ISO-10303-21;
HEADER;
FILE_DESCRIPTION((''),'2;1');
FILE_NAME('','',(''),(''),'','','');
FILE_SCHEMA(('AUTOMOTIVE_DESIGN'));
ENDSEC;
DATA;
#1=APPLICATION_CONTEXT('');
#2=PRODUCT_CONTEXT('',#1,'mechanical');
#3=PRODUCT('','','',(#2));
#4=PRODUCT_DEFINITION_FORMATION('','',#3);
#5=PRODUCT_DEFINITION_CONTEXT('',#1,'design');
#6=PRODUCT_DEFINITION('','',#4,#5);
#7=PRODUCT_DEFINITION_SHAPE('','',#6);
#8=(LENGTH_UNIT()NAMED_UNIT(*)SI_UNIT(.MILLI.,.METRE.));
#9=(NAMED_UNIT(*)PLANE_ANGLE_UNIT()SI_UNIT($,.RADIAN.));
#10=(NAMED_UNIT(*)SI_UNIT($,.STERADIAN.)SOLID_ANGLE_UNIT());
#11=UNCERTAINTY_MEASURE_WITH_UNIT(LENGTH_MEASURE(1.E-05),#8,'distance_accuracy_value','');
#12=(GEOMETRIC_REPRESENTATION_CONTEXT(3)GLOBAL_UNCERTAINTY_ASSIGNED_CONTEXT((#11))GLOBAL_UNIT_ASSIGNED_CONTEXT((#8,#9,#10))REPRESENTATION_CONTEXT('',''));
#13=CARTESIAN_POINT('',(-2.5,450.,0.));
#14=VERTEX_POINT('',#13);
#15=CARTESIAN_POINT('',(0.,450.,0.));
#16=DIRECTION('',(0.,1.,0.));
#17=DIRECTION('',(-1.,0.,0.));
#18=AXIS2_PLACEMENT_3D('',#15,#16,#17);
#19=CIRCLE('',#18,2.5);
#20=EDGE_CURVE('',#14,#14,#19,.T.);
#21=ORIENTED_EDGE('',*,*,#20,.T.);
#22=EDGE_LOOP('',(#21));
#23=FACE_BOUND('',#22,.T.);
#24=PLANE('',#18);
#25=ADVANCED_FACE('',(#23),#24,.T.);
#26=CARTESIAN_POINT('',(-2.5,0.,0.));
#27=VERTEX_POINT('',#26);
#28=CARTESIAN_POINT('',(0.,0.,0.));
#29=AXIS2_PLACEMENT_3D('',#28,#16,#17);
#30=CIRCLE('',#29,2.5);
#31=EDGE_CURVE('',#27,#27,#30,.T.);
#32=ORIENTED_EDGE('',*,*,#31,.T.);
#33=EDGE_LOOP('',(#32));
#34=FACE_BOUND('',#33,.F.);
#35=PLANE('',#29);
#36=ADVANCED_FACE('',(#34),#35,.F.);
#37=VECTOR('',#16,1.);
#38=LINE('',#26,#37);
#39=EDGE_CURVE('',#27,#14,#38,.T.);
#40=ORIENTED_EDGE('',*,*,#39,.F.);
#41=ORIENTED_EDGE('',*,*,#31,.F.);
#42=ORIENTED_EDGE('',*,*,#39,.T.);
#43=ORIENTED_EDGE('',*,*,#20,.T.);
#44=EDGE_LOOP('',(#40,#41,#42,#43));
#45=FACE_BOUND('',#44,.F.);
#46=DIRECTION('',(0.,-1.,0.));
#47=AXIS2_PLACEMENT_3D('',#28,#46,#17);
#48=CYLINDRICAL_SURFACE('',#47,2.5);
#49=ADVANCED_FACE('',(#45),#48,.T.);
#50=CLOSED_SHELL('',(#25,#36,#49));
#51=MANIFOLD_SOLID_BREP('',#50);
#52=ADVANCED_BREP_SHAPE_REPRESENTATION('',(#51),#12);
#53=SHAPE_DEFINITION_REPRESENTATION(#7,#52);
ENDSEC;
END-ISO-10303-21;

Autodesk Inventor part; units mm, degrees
ref_plane "YZ Plane" through (0, 0, 0) normal (1, 0, 0) x (0, 1, 0)
ref_plane "XZ Plane" through (0, 0, 0) normal (0, 1, 0) x (-1, 0, 0)
ref_plane "XY Plane" through (0, 0, 0) normal (0, 0, 1) x (1, 0, 0)
sketch "Sketch1" plane through (0, 0, 0) normal (0, 1, 0) x (-1, 0, 0)
  circle A0 centre (0, 0) radius 2.5
  dimension "d0" = 5
extrude "Extrusion1" add sketch "Sketch1" along normal blind 450
properties part number "Paceholder_shaft"
